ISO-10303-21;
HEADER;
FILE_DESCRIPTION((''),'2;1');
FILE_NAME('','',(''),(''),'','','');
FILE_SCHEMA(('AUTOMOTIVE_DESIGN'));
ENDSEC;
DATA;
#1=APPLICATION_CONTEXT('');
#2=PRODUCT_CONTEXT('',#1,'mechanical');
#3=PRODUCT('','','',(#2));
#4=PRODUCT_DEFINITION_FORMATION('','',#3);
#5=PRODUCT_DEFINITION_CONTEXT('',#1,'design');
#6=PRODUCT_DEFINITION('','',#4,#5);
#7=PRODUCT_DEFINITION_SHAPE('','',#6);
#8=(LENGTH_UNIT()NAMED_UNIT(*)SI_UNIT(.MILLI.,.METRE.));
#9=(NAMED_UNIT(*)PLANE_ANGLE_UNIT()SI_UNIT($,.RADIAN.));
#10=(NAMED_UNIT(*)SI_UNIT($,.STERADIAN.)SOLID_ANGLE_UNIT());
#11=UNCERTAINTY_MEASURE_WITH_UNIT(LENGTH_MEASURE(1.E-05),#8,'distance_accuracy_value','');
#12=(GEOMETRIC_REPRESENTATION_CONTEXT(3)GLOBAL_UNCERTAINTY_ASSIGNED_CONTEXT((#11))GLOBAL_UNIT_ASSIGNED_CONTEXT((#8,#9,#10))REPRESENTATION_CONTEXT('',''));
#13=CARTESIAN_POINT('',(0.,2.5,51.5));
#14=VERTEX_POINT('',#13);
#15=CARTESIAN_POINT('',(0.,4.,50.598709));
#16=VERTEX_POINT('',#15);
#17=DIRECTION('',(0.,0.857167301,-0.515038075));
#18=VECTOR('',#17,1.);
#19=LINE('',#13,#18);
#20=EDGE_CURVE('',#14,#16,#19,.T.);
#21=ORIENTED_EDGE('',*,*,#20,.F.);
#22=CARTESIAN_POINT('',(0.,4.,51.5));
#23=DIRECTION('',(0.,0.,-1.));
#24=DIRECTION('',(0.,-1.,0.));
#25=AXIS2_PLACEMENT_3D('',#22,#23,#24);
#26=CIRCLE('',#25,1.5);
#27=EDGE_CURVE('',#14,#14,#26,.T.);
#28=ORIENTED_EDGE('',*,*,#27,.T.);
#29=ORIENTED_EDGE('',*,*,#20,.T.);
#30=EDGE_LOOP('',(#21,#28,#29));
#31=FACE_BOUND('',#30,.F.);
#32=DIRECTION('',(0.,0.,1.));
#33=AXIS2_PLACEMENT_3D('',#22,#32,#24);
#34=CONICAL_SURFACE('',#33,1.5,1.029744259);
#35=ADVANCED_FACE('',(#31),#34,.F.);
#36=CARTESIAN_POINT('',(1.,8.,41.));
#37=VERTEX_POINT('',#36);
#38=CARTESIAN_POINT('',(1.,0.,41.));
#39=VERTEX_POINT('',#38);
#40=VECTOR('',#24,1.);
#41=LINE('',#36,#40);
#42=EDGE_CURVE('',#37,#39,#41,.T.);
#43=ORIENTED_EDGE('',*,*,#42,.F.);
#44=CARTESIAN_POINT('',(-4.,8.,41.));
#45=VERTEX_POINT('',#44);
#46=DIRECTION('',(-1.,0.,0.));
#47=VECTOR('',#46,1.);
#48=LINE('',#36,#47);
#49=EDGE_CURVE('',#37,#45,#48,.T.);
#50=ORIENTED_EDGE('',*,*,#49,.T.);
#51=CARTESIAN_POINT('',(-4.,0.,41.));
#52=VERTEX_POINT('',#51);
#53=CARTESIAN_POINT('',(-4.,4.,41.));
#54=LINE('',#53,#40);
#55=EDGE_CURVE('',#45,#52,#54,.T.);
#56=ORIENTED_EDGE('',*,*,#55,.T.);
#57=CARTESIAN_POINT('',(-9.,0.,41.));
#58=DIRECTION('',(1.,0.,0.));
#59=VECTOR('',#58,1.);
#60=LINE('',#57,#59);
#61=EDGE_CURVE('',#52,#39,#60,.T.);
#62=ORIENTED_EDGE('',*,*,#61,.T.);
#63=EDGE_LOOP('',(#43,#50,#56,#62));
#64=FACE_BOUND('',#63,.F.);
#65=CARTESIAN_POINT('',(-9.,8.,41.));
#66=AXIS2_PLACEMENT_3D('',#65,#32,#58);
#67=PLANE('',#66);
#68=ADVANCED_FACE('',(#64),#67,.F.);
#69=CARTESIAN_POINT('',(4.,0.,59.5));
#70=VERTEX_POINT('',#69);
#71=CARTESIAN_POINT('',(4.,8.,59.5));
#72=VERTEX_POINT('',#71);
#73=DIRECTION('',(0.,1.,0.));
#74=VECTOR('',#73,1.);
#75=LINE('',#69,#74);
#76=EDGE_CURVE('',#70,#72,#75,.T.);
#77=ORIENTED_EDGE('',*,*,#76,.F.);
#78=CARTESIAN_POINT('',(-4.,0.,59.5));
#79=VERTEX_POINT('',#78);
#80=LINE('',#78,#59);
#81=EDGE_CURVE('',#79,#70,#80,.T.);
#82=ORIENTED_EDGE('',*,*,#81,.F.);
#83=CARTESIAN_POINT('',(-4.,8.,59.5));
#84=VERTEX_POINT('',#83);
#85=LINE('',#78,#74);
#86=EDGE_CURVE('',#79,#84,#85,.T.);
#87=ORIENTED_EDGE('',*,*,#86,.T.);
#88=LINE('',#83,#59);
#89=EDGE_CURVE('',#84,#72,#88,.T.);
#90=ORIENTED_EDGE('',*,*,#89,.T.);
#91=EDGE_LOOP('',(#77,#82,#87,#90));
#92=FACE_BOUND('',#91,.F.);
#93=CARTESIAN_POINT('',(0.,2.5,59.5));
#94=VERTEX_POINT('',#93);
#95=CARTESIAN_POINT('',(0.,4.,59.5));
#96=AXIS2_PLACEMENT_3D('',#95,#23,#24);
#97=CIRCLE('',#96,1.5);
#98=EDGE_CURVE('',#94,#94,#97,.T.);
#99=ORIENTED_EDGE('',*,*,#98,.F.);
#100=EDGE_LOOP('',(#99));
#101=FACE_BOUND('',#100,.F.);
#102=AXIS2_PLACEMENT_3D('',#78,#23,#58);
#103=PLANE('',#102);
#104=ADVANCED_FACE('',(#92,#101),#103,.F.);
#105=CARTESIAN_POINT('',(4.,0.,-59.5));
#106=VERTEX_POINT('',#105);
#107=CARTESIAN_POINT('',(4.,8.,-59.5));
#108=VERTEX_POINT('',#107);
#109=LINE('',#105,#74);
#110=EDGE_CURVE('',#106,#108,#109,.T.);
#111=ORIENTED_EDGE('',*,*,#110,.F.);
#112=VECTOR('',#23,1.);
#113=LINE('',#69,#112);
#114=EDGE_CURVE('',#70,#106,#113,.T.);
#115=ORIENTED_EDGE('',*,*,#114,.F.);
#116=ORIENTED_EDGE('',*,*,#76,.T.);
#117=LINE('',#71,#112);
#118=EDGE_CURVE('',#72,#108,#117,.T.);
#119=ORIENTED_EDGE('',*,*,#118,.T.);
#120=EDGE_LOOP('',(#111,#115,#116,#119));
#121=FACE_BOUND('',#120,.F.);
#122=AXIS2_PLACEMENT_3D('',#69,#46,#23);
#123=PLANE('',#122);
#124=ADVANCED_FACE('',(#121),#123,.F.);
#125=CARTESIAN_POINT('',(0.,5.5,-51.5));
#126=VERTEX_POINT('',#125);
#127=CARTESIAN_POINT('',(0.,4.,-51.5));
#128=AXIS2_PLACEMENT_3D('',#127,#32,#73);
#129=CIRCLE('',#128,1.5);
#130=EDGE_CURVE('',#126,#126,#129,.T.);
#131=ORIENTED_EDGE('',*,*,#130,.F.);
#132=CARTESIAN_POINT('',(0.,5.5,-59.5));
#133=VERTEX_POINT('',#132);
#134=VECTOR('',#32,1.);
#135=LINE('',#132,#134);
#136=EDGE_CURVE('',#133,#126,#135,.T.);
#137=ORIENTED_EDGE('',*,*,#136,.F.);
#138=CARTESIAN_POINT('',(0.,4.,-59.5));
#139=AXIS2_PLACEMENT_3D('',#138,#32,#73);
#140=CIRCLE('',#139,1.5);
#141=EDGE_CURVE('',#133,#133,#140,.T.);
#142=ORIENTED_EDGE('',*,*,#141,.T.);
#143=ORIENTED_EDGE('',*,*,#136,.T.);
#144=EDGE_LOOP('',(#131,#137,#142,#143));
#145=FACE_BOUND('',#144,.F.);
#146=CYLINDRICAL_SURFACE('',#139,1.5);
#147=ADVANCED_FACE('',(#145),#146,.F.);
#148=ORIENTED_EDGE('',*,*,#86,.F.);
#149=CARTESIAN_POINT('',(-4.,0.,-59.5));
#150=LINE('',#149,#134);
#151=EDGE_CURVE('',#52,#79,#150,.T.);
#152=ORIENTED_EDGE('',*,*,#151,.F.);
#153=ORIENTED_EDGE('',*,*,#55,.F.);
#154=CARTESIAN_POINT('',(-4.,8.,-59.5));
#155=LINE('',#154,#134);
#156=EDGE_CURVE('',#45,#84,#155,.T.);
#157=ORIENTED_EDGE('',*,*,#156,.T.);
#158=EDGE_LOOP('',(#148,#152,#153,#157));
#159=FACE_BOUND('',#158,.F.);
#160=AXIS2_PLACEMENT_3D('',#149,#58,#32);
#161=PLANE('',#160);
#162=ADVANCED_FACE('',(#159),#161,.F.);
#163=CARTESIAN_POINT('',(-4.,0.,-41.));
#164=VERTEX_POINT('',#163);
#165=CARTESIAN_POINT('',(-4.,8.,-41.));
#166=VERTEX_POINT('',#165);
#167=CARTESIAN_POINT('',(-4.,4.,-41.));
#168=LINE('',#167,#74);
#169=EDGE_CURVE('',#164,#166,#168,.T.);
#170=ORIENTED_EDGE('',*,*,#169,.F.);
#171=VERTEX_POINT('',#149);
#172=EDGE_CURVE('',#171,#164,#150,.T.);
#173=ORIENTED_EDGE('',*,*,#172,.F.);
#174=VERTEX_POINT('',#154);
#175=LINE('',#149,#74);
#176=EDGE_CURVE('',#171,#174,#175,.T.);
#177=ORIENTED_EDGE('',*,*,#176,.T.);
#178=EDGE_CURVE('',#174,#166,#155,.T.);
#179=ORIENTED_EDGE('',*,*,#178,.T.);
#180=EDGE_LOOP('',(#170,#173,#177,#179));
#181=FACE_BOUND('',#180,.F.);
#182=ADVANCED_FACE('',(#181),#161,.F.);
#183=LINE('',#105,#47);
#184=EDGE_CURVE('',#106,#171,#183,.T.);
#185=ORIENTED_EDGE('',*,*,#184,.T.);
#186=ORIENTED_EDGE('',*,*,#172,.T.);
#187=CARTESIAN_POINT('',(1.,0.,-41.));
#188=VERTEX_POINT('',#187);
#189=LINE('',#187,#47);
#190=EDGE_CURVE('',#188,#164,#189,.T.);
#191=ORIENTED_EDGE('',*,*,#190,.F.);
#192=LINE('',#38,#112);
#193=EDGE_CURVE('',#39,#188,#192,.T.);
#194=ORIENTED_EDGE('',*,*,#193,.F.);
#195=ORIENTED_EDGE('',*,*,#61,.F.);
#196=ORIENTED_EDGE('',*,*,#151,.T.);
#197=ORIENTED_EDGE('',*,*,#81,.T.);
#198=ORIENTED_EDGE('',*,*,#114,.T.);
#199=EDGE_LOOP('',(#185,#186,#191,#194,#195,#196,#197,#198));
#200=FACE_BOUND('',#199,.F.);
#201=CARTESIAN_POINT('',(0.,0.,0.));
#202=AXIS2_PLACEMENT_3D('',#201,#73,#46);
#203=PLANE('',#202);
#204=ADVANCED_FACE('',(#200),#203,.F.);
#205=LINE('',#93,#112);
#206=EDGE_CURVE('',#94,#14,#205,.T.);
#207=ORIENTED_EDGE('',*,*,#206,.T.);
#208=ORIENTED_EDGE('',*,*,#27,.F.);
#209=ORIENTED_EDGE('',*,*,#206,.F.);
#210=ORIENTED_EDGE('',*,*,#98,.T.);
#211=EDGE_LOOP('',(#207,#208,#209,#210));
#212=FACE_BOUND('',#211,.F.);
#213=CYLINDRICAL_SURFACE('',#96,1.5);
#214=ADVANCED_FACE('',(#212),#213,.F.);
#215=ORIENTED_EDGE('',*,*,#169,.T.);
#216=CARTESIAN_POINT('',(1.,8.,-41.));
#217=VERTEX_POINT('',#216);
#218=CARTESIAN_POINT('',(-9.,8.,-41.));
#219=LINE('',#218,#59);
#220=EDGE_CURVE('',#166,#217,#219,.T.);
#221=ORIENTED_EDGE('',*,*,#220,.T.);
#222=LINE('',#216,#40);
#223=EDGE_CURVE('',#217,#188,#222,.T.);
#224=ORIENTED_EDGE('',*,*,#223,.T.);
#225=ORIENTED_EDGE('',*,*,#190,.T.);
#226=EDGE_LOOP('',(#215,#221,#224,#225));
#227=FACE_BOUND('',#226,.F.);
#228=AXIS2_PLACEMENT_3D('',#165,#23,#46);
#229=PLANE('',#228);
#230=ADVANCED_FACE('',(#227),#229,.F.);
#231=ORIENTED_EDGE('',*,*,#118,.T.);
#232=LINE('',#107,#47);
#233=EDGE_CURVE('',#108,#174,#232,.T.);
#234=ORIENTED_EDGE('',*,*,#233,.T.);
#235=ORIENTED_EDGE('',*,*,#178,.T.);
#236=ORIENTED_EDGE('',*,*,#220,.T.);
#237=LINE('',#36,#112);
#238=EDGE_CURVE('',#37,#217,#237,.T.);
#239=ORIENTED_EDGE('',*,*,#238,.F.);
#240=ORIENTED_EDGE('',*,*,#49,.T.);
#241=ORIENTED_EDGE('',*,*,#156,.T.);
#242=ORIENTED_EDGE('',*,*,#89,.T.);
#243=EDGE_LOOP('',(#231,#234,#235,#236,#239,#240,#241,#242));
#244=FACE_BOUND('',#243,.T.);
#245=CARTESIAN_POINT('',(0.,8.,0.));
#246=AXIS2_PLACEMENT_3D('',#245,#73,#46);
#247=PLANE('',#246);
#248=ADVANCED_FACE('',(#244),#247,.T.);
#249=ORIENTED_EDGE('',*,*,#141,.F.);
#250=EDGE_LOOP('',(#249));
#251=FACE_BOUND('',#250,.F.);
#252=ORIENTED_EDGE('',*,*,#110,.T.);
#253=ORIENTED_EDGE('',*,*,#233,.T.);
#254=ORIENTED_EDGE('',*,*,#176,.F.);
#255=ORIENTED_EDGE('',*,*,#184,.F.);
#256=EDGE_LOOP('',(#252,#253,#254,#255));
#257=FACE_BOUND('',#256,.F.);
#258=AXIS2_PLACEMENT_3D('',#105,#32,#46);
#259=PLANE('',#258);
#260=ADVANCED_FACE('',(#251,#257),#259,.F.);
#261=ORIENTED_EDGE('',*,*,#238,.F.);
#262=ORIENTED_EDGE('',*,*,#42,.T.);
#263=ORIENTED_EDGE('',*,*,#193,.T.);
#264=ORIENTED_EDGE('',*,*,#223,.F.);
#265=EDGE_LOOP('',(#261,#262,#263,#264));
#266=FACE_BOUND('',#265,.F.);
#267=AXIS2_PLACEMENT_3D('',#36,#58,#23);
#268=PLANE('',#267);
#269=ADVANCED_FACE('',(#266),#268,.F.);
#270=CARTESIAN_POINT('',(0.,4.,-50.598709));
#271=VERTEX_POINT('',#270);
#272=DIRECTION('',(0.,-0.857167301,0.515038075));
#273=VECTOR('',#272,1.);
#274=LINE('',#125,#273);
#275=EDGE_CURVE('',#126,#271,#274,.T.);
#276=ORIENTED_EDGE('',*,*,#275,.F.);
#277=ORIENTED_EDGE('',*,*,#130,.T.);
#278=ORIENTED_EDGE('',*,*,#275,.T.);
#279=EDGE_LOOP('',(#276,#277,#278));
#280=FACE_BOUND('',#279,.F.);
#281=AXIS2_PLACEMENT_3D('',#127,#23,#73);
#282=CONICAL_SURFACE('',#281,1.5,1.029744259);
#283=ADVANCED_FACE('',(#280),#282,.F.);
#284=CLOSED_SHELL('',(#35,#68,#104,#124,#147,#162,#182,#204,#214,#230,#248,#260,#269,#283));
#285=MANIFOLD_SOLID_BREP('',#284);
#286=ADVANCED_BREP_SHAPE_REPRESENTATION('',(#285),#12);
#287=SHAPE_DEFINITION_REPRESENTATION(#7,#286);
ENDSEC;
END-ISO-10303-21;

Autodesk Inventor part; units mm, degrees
ref_plane "YZ Plane" through (0, 0, 0) normal (1, 0, 0) x (0, 1, 0)
ref_plane "XZ Plane" through (0, 0, 0) normal (0, 1, 0) x (-1, 0, 0)
ref_plane "XY Plane" through (0, 0, 0) normal (0, 0, 1) x (1, 0, 0)
sketch "Sketch1" plane through (0, 0, 0) normal (0, 1, 0) x (-1, 0, 0)
  line L0 (4, 59.5) -> (-4, 59.5)
  line L1 (-4, 59.5) -> (-4, -59.5)
  line L2 (-4, -59.5) -> (4, -59.5)
  line L3 (4, -59.5) -> (4, 59.5)
  line L4 (4, 59.5) -> (-4, -59.5) construction
  line L5 (-4, 59.5) -> (4, -59.5) construction
  point P0 (0, 0)
  dimension "d0" = 8
  dimension "d1" = 119
extrude "Extrusion1" add sketch "Sketch1" along normal blind 8
sketch "Sketch2" plane through (0, 8, 0) normal (0, 1, 0) x (1, 0, 0)
  line L0 (-9, -41) -> (1, -41)
  line L1 (1, -41) -> (1, 41)
  line L2 (1, 41) -> (-9, 41)
  line L3 (-9, 41) -> (-9, -41)
  line L4 (-4, 59.5) -> (-4, -59.5) projected
  line L5 (-9, -41) -> (1, 41) construction
  line L6 (1, -41) -> (-9, 41) construction
  point P0 (0, 0)
  point P1 (-4, 0)
  dimension "d4" = 10
  dimension "d5" = 82
extrude "Extrusion2" cut sketch "Sketch2" against normal blind 8
sketch "Sketch3" plane through (-4, 0, 59.5) normal (0, 0, 1) x (1, 0, 0)
  circle A0 centre (4, 4) radius 1.5
  line L0 (0, 8) -> (8, 8) projected
  line L1 (8, 0) -> (8, 8) projected
  dimension "d8" = 3
  dimension "d31" = 4
  dimension "d32" = 4
hole "Hole1" at (0, 4, 59.5) direction (0, 0, -1) diameter 3 depth 8 tip angle 118
thread "Thread1" size "M3x0.5" class "6H" standard "ANSI Metric M Profile" full length
sketch "Sketch4" plane through (4, 0, -59.5) normal (0, 0, -1) x (-1, 0, 0)
  circle A0 centre (4, 4) radius 1.5
  line L0 (0, 8) -> (8, 8) projected
  line L1 (0, 0) -> (0, 8) projected
  dimension "d19" = 3
  dimension "d33" = 4
  dimension "d34" = 4
hole "Hole2" at (0, 4, -59.5) direction (0, 0, 1) diameter 3 depth 8 tip angle 118
thread "Thread2" size "M3x0.5" class "6H" standard "ANSI Metric M Profile" full length
properties part number "TopSupportPlate"
